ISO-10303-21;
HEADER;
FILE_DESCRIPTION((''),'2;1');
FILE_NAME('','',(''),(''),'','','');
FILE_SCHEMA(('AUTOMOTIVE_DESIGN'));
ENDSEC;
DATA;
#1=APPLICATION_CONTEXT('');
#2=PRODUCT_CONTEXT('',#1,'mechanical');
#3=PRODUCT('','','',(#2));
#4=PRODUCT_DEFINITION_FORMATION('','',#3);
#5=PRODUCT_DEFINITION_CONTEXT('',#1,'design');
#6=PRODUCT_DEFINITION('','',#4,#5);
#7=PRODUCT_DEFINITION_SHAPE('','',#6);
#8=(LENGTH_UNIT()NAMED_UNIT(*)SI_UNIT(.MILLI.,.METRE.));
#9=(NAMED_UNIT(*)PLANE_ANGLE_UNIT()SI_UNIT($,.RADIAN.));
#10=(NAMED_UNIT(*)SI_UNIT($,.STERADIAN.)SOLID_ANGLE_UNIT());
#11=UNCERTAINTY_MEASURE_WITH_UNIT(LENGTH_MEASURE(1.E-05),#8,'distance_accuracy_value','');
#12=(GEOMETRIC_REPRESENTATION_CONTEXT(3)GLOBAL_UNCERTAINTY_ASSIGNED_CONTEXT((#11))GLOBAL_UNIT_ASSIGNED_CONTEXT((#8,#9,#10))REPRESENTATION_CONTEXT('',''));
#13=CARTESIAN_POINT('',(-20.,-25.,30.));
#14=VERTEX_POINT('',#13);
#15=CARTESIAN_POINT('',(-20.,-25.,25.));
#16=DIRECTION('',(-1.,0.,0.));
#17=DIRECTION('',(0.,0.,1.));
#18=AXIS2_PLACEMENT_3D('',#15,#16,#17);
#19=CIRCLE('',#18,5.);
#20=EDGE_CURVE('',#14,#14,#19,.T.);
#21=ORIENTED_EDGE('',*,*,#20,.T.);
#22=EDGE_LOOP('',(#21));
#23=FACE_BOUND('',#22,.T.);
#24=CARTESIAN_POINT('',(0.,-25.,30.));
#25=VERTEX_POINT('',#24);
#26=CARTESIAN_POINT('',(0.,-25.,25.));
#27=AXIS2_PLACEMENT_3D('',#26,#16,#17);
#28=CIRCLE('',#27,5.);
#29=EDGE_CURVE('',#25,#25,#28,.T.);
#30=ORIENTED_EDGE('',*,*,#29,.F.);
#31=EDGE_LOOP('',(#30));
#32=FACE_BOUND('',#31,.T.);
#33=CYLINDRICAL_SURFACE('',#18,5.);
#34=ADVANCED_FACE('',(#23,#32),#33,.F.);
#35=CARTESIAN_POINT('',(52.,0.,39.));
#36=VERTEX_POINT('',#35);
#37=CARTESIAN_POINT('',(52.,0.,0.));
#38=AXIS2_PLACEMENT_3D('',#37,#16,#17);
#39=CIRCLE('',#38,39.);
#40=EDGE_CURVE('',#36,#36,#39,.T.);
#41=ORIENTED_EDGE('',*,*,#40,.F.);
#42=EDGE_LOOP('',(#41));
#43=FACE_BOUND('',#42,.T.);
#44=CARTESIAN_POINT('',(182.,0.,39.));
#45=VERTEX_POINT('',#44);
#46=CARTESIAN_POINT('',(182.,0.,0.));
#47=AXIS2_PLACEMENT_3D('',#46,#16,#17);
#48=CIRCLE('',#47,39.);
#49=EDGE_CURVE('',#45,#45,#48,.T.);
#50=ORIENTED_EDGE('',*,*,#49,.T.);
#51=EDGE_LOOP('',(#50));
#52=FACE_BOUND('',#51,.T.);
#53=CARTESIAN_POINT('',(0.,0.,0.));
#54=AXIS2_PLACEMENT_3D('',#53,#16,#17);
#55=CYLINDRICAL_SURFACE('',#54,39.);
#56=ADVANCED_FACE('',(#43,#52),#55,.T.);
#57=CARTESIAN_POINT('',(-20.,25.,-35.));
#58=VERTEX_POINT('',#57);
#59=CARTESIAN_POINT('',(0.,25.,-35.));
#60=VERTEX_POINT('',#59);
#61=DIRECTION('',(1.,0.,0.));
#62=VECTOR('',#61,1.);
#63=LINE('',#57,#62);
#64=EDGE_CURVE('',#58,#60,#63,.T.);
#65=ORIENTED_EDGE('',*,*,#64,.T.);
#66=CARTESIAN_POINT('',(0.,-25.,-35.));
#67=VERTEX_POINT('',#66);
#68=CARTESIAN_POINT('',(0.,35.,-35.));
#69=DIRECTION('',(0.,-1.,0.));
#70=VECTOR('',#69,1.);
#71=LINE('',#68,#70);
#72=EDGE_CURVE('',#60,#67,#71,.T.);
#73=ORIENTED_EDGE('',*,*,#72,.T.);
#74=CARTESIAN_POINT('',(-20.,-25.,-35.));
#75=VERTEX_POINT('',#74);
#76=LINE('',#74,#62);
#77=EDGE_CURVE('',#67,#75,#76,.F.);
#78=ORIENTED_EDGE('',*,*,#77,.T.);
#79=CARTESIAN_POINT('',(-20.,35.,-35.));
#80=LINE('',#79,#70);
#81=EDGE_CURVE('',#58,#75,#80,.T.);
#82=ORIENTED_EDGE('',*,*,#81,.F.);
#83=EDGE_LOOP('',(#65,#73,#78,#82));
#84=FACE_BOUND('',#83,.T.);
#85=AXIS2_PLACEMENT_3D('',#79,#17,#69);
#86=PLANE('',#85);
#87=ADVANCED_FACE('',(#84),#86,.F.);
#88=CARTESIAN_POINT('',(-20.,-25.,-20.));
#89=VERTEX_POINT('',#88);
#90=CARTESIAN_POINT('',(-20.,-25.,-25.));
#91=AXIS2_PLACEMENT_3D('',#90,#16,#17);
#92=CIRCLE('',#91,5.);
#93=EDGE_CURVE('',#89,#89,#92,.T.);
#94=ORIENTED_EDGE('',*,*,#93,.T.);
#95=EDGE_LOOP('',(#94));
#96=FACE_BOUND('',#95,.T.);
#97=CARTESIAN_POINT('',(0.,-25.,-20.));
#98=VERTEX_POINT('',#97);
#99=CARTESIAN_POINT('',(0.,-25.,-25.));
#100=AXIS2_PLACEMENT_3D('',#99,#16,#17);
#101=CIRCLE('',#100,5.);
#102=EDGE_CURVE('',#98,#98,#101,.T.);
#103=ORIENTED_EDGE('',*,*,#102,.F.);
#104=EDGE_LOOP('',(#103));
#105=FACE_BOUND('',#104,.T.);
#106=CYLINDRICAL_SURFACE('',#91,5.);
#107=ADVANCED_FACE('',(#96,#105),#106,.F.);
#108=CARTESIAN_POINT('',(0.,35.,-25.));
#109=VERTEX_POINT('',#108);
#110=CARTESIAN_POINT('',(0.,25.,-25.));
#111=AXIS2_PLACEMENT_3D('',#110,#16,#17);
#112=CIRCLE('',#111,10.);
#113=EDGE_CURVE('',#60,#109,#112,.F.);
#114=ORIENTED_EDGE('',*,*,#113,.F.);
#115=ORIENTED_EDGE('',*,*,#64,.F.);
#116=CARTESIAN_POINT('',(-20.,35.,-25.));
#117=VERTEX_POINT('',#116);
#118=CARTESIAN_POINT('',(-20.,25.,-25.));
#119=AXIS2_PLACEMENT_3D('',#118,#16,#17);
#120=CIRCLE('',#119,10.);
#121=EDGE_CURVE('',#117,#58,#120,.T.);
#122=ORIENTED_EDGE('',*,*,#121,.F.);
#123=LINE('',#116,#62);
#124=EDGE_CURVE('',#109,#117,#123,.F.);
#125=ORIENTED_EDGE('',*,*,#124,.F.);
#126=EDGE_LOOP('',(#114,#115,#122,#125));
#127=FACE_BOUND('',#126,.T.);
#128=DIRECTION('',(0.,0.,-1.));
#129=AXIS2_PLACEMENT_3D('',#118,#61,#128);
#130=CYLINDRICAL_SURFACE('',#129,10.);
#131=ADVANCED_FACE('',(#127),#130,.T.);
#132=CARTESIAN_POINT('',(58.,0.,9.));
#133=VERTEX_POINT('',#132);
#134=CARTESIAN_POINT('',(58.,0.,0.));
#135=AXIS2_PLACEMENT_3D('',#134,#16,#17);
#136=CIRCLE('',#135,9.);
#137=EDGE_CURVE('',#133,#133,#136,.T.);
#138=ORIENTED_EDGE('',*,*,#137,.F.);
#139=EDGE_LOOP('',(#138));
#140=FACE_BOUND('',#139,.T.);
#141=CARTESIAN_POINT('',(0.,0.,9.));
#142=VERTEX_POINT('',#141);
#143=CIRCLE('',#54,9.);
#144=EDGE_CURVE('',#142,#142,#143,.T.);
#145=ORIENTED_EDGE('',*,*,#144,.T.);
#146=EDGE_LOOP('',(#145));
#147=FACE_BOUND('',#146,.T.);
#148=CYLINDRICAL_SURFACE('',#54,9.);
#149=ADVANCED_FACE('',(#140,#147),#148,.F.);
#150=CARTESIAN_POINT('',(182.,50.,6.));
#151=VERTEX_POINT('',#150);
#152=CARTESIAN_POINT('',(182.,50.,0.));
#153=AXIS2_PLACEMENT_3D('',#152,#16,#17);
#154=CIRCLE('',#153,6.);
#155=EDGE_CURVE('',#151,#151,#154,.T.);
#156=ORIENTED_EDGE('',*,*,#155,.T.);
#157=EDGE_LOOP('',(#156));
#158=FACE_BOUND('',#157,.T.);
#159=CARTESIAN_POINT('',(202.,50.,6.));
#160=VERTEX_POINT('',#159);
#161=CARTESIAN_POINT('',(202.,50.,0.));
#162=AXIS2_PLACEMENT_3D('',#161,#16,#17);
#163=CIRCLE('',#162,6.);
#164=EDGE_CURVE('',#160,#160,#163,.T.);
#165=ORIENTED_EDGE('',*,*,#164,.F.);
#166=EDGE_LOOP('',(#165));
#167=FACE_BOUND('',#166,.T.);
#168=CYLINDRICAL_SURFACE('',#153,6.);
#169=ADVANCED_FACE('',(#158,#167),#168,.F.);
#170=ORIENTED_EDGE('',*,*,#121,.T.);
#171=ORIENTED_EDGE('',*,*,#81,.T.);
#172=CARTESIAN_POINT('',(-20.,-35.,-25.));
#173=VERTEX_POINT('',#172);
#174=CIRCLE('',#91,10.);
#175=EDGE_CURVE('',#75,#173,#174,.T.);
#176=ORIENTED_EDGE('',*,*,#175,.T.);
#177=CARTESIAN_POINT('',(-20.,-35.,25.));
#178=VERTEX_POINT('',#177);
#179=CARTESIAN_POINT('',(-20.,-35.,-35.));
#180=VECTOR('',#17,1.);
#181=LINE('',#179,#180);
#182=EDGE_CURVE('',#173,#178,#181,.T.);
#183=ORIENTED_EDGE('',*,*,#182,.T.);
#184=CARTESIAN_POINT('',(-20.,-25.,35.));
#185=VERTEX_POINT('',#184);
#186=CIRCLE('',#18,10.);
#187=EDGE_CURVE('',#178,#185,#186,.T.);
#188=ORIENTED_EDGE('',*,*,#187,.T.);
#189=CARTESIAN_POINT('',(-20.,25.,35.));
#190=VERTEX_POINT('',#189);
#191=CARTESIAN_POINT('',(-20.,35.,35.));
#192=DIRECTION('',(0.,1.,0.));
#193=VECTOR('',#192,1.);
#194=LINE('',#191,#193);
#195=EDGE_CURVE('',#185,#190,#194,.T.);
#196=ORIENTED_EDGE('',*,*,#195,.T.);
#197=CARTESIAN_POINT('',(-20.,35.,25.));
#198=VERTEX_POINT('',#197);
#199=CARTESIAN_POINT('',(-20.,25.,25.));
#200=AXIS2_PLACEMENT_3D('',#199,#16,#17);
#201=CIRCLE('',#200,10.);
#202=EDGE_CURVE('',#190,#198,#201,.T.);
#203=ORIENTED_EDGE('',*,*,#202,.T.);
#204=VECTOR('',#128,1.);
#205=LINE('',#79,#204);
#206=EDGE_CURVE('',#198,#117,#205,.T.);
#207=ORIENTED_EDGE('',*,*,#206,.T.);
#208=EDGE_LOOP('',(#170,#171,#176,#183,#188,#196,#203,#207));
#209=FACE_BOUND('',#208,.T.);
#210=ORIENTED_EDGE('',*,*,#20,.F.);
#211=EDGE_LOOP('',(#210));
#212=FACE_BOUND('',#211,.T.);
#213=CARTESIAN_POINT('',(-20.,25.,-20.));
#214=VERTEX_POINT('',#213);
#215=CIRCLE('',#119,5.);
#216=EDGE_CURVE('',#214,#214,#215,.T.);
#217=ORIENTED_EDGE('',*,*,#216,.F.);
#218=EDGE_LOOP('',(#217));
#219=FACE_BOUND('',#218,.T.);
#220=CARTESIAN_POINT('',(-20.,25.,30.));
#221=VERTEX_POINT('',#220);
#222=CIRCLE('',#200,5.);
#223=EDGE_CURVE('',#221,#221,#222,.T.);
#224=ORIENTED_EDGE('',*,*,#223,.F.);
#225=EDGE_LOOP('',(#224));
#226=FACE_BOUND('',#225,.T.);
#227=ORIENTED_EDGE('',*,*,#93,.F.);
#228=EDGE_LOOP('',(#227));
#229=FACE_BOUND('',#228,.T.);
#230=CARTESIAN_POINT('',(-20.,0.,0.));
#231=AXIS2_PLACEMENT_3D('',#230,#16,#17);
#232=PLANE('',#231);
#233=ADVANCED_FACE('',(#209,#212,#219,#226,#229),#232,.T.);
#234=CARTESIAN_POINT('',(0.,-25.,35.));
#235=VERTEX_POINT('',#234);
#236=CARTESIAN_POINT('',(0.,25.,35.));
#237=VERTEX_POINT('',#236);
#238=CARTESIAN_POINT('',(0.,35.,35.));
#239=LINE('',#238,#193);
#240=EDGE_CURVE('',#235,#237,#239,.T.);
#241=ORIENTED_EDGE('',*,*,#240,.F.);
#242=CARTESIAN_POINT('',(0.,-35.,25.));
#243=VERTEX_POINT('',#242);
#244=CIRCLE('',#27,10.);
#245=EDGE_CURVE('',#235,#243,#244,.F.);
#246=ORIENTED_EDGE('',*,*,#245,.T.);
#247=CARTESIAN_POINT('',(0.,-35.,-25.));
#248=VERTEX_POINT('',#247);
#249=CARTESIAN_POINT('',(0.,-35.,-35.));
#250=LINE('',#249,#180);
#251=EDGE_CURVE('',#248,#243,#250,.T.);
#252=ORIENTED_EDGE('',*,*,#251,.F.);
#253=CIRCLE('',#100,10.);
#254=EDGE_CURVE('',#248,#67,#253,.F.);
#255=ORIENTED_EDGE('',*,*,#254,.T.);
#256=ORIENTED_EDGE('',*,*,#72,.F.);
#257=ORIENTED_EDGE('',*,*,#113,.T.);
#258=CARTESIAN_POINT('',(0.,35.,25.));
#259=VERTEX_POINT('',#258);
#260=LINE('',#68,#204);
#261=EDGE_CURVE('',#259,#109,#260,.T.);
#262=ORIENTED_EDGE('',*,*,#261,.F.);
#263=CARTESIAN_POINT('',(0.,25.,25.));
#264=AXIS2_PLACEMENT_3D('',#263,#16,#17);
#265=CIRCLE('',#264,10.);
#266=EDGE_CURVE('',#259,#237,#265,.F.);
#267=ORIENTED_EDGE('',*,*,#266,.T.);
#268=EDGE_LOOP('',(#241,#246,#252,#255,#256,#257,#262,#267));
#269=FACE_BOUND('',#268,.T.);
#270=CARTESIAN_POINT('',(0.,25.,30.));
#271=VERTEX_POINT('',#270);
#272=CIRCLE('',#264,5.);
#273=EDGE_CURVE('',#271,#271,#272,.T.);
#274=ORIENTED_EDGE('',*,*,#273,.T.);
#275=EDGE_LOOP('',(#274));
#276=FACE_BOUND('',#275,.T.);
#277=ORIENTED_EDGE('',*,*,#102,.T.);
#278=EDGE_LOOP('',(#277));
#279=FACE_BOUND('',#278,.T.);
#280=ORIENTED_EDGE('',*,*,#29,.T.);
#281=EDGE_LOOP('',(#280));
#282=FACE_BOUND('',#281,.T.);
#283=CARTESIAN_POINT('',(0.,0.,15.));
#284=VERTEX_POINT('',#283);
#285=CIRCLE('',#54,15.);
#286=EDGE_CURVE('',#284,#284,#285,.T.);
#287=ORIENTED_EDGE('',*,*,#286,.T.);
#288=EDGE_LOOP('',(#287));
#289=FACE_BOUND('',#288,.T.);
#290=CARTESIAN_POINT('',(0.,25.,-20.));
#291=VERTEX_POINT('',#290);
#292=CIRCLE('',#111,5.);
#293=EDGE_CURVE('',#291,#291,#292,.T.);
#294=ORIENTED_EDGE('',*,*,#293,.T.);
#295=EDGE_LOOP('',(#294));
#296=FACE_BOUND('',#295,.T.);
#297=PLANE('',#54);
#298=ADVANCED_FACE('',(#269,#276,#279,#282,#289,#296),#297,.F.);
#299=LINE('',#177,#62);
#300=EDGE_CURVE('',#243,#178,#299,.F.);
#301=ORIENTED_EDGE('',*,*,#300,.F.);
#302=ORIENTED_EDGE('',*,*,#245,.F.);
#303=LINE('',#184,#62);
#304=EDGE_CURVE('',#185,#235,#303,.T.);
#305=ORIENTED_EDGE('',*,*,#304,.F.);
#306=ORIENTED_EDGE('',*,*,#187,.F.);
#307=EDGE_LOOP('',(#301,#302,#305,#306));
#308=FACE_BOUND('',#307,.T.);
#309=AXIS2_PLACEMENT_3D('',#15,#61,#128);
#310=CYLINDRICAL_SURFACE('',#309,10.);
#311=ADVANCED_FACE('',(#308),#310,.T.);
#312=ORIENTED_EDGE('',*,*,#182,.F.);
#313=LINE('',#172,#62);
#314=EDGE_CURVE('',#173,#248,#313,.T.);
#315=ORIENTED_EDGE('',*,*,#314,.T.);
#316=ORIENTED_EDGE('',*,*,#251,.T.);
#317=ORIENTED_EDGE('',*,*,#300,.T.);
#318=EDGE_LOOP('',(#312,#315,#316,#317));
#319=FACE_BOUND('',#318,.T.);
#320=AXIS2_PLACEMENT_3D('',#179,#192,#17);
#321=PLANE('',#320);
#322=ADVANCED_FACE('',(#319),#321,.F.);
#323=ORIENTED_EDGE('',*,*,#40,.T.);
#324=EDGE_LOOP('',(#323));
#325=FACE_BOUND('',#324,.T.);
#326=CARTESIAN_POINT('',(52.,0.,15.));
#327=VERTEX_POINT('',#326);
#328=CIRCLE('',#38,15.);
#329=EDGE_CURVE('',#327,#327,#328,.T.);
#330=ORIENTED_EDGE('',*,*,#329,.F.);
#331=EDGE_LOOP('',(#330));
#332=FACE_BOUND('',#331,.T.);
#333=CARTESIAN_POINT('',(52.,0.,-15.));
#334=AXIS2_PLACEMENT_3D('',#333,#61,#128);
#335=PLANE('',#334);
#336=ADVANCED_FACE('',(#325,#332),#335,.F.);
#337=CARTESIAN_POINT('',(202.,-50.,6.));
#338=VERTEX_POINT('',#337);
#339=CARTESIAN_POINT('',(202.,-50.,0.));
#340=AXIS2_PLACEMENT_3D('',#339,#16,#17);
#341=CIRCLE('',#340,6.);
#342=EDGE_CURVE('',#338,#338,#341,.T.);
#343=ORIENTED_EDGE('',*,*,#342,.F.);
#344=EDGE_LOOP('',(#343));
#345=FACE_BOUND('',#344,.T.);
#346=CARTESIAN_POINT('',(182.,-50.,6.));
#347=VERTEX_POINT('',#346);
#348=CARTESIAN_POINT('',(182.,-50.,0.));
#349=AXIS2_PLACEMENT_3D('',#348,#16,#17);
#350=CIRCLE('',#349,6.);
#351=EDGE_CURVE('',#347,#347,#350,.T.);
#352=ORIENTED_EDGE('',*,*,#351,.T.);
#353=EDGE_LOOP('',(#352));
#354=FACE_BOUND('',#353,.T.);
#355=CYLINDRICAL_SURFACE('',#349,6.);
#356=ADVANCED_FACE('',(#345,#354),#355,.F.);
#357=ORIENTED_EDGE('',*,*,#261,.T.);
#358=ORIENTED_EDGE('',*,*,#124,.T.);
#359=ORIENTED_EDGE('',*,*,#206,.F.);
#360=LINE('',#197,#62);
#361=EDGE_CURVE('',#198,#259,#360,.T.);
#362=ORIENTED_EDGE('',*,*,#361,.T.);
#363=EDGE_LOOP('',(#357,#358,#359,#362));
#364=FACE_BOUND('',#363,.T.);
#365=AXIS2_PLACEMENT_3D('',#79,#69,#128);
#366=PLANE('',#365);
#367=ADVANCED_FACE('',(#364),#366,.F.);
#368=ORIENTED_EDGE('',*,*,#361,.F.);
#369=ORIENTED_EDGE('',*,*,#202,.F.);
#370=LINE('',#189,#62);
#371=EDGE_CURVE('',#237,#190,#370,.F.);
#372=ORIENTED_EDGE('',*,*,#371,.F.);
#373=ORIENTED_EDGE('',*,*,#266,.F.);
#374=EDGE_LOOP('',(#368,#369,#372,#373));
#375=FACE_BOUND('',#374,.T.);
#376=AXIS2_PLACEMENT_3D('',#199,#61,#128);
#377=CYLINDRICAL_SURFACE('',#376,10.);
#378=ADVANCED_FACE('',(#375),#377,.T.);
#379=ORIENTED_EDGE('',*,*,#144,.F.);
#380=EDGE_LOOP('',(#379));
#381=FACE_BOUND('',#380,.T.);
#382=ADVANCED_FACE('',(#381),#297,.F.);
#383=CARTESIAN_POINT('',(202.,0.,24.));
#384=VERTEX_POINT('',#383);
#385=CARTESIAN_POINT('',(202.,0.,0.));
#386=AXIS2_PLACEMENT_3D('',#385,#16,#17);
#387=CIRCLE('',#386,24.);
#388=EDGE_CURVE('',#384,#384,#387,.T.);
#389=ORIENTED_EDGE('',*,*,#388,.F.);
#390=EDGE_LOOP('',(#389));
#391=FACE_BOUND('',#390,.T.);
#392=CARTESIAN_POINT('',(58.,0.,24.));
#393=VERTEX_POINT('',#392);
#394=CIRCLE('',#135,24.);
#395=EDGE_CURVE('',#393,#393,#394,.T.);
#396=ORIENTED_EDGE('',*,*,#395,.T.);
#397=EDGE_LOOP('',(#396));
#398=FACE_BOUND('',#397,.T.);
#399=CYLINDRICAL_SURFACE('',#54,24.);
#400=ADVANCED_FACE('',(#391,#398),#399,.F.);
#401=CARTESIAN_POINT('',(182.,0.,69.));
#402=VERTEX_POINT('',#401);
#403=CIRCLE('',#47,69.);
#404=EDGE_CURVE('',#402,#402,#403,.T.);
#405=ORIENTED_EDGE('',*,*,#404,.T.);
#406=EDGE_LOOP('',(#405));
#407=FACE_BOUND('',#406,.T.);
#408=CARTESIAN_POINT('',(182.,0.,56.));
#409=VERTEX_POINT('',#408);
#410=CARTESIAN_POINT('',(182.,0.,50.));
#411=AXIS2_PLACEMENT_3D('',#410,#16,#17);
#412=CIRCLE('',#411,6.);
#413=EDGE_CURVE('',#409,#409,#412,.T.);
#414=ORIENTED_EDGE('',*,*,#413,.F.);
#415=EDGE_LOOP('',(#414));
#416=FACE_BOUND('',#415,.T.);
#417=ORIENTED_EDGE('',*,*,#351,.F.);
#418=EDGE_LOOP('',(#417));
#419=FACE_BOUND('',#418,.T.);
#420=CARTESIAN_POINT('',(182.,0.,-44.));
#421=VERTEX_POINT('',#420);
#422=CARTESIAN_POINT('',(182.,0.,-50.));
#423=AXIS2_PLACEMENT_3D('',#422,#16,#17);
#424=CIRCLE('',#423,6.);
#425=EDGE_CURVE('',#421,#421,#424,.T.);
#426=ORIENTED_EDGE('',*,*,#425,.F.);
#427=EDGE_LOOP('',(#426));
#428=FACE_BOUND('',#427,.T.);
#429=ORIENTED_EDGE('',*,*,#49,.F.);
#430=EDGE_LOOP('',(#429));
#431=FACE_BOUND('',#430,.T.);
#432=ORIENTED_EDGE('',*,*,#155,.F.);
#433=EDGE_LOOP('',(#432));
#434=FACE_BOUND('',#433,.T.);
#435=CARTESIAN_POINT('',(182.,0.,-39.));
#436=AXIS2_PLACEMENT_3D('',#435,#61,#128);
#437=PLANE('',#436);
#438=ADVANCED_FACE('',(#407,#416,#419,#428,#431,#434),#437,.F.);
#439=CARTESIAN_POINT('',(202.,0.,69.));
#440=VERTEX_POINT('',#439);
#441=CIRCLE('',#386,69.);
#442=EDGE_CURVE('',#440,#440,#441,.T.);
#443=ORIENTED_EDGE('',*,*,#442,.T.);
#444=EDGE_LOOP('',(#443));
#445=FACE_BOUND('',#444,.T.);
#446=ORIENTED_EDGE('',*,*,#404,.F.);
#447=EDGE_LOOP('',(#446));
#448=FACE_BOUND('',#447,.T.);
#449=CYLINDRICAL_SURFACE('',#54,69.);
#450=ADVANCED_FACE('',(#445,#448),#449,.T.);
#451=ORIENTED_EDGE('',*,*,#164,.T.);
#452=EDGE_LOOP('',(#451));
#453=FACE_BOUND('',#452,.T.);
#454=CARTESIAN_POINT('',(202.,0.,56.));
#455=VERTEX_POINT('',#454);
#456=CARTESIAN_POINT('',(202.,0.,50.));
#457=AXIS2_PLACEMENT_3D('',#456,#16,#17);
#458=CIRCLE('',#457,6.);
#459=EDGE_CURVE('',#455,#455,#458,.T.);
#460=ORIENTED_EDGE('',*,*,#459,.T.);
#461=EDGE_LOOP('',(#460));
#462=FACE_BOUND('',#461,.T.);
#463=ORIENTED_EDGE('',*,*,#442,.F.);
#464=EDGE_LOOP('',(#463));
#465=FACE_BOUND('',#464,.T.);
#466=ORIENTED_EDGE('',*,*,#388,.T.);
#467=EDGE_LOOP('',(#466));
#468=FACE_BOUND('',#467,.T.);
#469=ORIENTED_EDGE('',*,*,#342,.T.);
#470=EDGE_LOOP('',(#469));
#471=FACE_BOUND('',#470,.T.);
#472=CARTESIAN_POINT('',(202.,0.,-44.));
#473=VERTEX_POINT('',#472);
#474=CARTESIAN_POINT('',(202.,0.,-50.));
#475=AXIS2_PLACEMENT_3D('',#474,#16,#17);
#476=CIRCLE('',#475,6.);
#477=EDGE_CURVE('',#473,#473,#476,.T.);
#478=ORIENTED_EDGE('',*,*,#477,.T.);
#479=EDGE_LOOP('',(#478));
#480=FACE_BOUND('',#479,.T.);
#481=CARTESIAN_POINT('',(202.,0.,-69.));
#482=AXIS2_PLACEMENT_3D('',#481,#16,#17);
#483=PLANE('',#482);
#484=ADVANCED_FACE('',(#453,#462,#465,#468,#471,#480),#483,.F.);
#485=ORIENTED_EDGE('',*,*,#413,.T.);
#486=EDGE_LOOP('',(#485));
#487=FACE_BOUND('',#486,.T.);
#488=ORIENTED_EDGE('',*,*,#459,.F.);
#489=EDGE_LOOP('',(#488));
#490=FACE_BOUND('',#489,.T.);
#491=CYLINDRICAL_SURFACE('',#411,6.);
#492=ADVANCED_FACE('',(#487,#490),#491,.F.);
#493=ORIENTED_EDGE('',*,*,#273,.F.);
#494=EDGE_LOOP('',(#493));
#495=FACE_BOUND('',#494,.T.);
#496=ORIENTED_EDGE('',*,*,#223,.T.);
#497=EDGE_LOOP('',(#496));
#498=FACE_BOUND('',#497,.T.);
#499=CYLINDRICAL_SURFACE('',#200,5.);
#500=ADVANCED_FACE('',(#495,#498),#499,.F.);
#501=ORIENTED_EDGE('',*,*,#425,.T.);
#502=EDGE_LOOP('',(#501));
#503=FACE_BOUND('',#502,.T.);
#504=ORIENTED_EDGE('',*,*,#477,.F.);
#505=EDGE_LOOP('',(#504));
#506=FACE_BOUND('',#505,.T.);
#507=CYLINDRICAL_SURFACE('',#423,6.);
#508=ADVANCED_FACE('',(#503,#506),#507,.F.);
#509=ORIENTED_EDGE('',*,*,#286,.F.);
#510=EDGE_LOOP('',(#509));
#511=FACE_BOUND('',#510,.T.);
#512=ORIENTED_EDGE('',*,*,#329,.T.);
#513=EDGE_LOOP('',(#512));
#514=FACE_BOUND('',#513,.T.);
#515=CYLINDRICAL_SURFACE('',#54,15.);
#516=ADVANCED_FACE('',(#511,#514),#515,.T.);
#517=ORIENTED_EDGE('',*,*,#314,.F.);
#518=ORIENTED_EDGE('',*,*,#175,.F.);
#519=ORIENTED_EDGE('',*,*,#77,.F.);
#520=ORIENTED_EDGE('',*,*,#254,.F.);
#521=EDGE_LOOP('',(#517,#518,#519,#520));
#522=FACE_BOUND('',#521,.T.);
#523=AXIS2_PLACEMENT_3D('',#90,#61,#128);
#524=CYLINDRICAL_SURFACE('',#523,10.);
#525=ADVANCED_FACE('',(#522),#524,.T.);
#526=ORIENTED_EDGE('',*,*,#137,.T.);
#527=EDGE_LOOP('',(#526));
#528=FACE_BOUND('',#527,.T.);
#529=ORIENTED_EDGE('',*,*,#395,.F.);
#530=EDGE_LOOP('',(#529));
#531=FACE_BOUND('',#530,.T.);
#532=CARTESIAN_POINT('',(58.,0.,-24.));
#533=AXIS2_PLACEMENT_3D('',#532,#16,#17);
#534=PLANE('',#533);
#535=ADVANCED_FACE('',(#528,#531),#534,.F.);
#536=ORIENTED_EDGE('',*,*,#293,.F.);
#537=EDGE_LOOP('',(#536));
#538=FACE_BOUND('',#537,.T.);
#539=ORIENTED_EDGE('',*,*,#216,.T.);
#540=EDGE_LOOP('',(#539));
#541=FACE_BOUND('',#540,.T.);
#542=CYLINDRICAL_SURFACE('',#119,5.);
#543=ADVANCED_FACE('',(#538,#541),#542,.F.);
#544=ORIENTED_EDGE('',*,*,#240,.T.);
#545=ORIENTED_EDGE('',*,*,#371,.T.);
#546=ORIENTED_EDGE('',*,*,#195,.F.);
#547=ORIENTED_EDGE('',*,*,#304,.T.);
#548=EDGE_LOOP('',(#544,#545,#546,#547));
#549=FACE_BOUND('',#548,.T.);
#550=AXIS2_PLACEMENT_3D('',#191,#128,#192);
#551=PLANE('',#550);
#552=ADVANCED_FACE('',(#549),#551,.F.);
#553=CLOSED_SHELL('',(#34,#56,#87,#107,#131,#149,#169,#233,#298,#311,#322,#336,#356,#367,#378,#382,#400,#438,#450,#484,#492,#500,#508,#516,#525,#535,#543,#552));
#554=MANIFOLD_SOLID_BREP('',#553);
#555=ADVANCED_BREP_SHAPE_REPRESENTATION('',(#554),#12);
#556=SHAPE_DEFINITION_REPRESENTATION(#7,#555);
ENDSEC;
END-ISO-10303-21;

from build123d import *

# Parameters (mm, degrees)
SKETCH2_W           = 70
SKETCH2_H           = 70
BOSS_EXTRUDE1_DEPTH = 20
FILLET1_R           = 10
HOLE1_D             = 10
HOLE1_DEPTH         = 20
HOLE2_D             = 12
CIRPATTERN1_COUNT   = 4


with BuildPart() as part:
    # Sketch1 → Revolve1 (revolve)
    with BuildSketch(Plane(origin=(0, 0, 0), x_dir=(1, 0, 0), z_dir=(0, 1, 0)), mode=Mode.PRIVATE) as revolve1_sk:
        Polygon((0, 15), (52, 15), (52, 39), (182, 39), (182, 69), (202, 69), (202, 24), (58, 24), (58, 9), (0, 9), align=None)
    revolve(revolve1_sk.sketch.rotate(Axis((0, 0, 0), (1, 0, 0)), 180), axis=Axis((0, 0, 0), (1, 0, 0)))

    # Sketch2 → Boss-Extrude1 (add)
    with BuildSketch(Plane.ZY):
        Rectangle(SKETCH2_W, SKETCH2_H)
    extrude(amount=BOSS_EXTRUDE1_DEPTH)

    # Fillet1
    fillet1_edges = [part.edges().sort_by_distance(p)[0] for p in [
        (-10, -35, 35),
        (-10, 35, 35),
        (-10, 35, -35),
        (-10, -35, -35),
    ]]
    fillet(fillet1_edges, radius=FILLET1_R)

    # Hole1
    with Locations(Plane.ZY.offset(20)):
        with Locations((25, 25), (25, -25), (-25, -25), (-25, 25)):
            Hole(HOLE1_D / 2, depth=HOLE1_DEPTH)

    # Hole2 (through all)
    with Locations(Plane.ZY.offset(-182)):
        with Locations((50, 0)):
            hole2 = Hole(HOLE2_D / 2)

    # CirPattern1: Hole2 ×4 about axis
    cirpattern1_axis = Axis((0, 0, 0), (1, 0, 0))
    for i in range(1, CIRPATTERN1_COUNT):
        add(hole2.rotate(cirpattern1_axis, i * 360 / CIRPATTERN1_COUNT), mode=Mode.SUBTRACT)


solid = part.part
